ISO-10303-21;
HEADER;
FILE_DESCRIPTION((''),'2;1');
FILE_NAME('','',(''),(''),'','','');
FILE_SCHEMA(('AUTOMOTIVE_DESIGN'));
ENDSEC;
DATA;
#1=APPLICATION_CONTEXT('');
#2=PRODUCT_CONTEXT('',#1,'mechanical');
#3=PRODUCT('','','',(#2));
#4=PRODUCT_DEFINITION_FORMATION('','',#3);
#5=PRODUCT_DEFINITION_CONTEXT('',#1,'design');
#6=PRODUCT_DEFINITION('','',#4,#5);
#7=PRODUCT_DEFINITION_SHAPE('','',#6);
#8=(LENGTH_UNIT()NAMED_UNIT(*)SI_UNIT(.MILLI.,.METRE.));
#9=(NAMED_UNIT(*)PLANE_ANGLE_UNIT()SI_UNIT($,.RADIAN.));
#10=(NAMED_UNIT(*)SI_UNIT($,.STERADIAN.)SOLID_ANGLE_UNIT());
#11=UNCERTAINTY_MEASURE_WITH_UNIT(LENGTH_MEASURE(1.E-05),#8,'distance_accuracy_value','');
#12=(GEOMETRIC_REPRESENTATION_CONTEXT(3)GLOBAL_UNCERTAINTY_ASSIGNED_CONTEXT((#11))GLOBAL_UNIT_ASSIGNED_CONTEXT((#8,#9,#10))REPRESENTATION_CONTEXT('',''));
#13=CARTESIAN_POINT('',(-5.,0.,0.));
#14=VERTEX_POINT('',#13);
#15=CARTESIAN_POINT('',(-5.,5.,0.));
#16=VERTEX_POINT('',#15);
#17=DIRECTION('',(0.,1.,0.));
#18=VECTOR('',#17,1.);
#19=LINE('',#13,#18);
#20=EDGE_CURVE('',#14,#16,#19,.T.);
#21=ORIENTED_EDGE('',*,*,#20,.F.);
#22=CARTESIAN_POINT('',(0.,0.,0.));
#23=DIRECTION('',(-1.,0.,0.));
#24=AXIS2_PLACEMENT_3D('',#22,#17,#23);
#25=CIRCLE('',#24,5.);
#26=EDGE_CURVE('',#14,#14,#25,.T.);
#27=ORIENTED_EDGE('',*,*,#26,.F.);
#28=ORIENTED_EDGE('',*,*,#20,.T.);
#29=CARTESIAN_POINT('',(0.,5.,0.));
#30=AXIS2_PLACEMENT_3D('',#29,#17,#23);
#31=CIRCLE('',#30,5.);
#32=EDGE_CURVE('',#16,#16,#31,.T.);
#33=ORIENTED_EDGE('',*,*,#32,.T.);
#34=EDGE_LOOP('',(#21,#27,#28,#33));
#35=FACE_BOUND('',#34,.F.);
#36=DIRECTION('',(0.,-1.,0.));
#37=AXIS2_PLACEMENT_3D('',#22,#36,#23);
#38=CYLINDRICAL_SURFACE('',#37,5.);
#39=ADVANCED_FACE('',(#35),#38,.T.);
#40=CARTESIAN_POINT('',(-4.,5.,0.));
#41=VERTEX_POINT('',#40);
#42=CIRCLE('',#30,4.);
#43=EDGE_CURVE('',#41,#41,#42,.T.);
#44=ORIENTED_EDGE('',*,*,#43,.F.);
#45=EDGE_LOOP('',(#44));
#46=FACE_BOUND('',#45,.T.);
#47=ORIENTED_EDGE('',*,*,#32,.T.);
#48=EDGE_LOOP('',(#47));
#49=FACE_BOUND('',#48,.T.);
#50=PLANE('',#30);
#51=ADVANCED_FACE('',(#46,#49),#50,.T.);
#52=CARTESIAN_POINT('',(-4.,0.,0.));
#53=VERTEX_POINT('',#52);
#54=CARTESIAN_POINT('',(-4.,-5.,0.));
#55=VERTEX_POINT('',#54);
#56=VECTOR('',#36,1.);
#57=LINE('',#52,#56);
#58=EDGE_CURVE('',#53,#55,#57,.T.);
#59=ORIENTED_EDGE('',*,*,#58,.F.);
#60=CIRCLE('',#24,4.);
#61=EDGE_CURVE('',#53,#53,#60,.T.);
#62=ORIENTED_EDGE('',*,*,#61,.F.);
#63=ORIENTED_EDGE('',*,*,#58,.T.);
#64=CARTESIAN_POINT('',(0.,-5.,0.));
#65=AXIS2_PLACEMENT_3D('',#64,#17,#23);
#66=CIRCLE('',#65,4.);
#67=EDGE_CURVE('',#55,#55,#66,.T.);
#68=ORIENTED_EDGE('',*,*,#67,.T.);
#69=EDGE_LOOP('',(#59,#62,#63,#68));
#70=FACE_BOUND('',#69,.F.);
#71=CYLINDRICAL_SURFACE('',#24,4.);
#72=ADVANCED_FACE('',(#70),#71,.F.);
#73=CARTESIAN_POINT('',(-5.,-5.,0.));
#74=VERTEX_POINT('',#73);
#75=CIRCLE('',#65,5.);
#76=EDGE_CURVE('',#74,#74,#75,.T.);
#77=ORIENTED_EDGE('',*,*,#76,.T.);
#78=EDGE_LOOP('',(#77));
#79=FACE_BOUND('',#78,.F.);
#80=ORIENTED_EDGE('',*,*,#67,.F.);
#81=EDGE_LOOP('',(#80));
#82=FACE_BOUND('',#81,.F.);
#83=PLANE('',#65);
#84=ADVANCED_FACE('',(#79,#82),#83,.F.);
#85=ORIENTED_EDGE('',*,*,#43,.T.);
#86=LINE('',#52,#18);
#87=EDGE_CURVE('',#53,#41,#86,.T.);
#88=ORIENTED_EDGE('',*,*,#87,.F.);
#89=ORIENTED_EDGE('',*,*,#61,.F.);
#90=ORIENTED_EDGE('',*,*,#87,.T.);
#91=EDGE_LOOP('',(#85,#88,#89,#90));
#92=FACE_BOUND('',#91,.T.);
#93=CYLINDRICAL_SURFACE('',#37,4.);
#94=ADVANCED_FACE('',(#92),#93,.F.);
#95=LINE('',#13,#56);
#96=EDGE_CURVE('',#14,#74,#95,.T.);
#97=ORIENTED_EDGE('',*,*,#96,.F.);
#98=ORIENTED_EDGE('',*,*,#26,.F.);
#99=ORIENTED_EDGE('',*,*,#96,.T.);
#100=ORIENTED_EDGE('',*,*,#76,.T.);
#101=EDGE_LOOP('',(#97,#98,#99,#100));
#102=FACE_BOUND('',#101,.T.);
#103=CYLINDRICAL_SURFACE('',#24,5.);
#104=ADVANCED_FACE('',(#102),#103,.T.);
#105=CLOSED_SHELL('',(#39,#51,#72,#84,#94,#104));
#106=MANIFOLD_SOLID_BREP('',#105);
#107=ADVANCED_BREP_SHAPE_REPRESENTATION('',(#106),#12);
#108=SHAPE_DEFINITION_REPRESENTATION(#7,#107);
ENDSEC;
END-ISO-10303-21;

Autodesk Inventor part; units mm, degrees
ref_plane "YZ Plane" through (0, 0, 0) normal (1, 0, 0) x (0, 1, 0)
ref_plane "XZ Plane" through (0, 0, 0) normal (0, 1, 0) x (-1, 0, 0)
ref_plane "XY Plane" through (0, 0, 0) normal (0, 0, 1) x (1, 0, 0)
sketch "スケッチ1" plane through (0, 0, 0) normal (0, 1, 0) x (-1, 0, 0)
  circle A0 centre (0, 0) radius 5
  circle A1 centre (0, 0) radius 4
  dimension "d0" = 10
  dimension "d1" = 1
extrude "押し出し1" add sketch "スケッチ1" along normal mid plane 10
properties part number "collar_10"
